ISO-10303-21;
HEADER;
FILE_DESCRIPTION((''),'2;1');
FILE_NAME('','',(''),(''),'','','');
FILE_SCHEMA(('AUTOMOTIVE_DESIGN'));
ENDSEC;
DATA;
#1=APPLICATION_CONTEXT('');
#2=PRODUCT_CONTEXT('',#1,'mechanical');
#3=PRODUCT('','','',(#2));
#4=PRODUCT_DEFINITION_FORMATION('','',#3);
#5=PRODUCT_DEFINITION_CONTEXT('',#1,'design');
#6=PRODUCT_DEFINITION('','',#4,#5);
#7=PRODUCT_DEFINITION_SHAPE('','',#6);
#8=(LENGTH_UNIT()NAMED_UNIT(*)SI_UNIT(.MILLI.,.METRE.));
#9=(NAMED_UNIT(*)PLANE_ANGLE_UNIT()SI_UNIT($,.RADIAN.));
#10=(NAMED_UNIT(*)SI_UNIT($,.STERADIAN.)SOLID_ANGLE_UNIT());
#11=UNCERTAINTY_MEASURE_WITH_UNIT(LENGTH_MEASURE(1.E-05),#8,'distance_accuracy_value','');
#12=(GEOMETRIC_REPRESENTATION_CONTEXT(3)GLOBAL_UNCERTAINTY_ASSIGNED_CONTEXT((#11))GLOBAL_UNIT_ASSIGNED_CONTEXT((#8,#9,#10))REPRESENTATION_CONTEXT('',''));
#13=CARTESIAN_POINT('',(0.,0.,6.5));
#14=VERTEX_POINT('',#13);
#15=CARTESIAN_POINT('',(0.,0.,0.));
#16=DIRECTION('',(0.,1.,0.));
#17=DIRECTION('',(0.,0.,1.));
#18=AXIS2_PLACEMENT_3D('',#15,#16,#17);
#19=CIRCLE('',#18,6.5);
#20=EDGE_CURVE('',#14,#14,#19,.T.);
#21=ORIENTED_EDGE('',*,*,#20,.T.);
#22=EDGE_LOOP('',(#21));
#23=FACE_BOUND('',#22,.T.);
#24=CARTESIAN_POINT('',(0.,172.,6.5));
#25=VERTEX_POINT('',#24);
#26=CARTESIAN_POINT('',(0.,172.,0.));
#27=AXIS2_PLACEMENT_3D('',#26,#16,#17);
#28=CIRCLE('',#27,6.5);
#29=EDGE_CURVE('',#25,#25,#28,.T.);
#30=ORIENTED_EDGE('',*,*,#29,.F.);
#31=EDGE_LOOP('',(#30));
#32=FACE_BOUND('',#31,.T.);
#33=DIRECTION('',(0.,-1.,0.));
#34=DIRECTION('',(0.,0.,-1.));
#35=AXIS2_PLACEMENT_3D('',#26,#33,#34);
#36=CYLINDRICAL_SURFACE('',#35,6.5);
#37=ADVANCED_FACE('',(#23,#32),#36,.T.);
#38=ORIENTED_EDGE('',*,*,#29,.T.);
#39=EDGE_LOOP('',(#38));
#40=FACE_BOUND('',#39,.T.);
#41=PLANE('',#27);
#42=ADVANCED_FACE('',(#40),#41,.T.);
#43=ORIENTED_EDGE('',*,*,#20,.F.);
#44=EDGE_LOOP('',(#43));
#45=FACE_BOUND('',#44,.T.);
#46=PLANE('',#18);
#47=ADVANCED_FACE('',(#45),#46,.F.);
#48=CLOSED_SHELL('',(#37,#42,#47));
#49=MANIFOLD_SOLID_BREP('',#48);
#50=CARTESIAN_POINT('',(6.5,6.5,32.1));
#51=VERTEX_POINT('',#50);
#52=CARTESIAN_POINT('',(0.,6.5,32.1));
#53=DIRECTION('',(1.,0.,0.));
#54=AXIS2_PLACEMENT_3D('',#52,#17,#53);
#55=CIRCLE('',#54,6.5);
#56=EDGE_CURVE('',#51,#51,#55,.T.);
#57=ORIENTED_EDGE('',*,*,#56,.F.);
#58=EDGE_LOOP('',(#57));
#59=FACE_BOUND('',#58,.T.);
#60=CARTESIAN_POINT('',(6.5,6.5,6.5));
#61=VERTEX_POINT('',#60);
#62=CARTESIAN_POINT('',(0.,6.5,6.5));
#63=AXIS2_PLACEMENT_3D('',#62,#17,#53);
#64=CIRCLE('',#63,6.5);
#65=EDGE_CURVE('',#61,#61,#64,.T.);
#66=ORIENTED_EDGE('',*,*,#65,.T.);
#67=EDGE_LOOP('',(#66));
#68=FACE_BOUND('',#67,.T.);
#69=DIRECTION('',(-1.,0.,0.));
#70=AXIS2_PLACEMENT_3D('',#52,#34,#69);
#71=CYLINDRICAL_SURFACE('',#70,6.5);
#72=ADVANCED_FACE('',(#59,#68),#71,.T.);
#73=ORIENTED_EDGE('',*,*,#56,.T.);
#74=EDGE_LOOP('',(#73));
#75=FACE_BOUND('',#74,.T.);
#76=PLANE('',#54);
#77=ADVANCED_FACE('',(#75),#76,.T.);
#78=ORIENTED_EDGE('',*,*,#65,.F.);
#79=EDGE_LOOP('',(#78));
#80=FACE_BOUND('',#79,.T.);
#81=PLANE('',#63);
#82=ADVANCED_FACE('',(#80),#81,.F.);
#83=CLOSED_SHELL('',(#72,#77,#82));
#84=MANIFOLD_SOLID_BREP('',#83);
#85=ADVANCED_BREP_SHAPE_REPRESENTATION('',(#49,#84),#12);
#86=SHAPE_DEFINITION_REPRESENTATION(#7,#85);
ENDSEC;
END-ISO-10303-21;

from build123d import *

# Parameters (mm, degrees)
SKETCH1_R           = 6.5
BOSS_EXTRUDE1_DEPTH = 172
SKETCH2_R           = 6.5
BOSS_EXTRUDE2_DEPTH = 25.6


with BuildPart() as part:
    # Sketch1 → Boss-Extrude1 (new body)
    with BuildSketch(Plane(origin=(0, 0, 0), x_dir=(1, 0, 0), z_dir=(0, 1, 0))):
        Circle(SKETCH1_R)
    extrude(amount=BOSS_EXTRUDE1_DEPTH)


with BuildPart() as body_2:
    # Sketch2 → Boss-Extrude2 (new body)
    with BuildSketch(Plane.XY.offset(6.5)):
        with Locations((0, 6.5)):
            Circle(SKETCH2_R)
    extrude(amount=BOSS_EXTRUDE2_DEPTH)


solid = Compound([part.part, body_2.part])
